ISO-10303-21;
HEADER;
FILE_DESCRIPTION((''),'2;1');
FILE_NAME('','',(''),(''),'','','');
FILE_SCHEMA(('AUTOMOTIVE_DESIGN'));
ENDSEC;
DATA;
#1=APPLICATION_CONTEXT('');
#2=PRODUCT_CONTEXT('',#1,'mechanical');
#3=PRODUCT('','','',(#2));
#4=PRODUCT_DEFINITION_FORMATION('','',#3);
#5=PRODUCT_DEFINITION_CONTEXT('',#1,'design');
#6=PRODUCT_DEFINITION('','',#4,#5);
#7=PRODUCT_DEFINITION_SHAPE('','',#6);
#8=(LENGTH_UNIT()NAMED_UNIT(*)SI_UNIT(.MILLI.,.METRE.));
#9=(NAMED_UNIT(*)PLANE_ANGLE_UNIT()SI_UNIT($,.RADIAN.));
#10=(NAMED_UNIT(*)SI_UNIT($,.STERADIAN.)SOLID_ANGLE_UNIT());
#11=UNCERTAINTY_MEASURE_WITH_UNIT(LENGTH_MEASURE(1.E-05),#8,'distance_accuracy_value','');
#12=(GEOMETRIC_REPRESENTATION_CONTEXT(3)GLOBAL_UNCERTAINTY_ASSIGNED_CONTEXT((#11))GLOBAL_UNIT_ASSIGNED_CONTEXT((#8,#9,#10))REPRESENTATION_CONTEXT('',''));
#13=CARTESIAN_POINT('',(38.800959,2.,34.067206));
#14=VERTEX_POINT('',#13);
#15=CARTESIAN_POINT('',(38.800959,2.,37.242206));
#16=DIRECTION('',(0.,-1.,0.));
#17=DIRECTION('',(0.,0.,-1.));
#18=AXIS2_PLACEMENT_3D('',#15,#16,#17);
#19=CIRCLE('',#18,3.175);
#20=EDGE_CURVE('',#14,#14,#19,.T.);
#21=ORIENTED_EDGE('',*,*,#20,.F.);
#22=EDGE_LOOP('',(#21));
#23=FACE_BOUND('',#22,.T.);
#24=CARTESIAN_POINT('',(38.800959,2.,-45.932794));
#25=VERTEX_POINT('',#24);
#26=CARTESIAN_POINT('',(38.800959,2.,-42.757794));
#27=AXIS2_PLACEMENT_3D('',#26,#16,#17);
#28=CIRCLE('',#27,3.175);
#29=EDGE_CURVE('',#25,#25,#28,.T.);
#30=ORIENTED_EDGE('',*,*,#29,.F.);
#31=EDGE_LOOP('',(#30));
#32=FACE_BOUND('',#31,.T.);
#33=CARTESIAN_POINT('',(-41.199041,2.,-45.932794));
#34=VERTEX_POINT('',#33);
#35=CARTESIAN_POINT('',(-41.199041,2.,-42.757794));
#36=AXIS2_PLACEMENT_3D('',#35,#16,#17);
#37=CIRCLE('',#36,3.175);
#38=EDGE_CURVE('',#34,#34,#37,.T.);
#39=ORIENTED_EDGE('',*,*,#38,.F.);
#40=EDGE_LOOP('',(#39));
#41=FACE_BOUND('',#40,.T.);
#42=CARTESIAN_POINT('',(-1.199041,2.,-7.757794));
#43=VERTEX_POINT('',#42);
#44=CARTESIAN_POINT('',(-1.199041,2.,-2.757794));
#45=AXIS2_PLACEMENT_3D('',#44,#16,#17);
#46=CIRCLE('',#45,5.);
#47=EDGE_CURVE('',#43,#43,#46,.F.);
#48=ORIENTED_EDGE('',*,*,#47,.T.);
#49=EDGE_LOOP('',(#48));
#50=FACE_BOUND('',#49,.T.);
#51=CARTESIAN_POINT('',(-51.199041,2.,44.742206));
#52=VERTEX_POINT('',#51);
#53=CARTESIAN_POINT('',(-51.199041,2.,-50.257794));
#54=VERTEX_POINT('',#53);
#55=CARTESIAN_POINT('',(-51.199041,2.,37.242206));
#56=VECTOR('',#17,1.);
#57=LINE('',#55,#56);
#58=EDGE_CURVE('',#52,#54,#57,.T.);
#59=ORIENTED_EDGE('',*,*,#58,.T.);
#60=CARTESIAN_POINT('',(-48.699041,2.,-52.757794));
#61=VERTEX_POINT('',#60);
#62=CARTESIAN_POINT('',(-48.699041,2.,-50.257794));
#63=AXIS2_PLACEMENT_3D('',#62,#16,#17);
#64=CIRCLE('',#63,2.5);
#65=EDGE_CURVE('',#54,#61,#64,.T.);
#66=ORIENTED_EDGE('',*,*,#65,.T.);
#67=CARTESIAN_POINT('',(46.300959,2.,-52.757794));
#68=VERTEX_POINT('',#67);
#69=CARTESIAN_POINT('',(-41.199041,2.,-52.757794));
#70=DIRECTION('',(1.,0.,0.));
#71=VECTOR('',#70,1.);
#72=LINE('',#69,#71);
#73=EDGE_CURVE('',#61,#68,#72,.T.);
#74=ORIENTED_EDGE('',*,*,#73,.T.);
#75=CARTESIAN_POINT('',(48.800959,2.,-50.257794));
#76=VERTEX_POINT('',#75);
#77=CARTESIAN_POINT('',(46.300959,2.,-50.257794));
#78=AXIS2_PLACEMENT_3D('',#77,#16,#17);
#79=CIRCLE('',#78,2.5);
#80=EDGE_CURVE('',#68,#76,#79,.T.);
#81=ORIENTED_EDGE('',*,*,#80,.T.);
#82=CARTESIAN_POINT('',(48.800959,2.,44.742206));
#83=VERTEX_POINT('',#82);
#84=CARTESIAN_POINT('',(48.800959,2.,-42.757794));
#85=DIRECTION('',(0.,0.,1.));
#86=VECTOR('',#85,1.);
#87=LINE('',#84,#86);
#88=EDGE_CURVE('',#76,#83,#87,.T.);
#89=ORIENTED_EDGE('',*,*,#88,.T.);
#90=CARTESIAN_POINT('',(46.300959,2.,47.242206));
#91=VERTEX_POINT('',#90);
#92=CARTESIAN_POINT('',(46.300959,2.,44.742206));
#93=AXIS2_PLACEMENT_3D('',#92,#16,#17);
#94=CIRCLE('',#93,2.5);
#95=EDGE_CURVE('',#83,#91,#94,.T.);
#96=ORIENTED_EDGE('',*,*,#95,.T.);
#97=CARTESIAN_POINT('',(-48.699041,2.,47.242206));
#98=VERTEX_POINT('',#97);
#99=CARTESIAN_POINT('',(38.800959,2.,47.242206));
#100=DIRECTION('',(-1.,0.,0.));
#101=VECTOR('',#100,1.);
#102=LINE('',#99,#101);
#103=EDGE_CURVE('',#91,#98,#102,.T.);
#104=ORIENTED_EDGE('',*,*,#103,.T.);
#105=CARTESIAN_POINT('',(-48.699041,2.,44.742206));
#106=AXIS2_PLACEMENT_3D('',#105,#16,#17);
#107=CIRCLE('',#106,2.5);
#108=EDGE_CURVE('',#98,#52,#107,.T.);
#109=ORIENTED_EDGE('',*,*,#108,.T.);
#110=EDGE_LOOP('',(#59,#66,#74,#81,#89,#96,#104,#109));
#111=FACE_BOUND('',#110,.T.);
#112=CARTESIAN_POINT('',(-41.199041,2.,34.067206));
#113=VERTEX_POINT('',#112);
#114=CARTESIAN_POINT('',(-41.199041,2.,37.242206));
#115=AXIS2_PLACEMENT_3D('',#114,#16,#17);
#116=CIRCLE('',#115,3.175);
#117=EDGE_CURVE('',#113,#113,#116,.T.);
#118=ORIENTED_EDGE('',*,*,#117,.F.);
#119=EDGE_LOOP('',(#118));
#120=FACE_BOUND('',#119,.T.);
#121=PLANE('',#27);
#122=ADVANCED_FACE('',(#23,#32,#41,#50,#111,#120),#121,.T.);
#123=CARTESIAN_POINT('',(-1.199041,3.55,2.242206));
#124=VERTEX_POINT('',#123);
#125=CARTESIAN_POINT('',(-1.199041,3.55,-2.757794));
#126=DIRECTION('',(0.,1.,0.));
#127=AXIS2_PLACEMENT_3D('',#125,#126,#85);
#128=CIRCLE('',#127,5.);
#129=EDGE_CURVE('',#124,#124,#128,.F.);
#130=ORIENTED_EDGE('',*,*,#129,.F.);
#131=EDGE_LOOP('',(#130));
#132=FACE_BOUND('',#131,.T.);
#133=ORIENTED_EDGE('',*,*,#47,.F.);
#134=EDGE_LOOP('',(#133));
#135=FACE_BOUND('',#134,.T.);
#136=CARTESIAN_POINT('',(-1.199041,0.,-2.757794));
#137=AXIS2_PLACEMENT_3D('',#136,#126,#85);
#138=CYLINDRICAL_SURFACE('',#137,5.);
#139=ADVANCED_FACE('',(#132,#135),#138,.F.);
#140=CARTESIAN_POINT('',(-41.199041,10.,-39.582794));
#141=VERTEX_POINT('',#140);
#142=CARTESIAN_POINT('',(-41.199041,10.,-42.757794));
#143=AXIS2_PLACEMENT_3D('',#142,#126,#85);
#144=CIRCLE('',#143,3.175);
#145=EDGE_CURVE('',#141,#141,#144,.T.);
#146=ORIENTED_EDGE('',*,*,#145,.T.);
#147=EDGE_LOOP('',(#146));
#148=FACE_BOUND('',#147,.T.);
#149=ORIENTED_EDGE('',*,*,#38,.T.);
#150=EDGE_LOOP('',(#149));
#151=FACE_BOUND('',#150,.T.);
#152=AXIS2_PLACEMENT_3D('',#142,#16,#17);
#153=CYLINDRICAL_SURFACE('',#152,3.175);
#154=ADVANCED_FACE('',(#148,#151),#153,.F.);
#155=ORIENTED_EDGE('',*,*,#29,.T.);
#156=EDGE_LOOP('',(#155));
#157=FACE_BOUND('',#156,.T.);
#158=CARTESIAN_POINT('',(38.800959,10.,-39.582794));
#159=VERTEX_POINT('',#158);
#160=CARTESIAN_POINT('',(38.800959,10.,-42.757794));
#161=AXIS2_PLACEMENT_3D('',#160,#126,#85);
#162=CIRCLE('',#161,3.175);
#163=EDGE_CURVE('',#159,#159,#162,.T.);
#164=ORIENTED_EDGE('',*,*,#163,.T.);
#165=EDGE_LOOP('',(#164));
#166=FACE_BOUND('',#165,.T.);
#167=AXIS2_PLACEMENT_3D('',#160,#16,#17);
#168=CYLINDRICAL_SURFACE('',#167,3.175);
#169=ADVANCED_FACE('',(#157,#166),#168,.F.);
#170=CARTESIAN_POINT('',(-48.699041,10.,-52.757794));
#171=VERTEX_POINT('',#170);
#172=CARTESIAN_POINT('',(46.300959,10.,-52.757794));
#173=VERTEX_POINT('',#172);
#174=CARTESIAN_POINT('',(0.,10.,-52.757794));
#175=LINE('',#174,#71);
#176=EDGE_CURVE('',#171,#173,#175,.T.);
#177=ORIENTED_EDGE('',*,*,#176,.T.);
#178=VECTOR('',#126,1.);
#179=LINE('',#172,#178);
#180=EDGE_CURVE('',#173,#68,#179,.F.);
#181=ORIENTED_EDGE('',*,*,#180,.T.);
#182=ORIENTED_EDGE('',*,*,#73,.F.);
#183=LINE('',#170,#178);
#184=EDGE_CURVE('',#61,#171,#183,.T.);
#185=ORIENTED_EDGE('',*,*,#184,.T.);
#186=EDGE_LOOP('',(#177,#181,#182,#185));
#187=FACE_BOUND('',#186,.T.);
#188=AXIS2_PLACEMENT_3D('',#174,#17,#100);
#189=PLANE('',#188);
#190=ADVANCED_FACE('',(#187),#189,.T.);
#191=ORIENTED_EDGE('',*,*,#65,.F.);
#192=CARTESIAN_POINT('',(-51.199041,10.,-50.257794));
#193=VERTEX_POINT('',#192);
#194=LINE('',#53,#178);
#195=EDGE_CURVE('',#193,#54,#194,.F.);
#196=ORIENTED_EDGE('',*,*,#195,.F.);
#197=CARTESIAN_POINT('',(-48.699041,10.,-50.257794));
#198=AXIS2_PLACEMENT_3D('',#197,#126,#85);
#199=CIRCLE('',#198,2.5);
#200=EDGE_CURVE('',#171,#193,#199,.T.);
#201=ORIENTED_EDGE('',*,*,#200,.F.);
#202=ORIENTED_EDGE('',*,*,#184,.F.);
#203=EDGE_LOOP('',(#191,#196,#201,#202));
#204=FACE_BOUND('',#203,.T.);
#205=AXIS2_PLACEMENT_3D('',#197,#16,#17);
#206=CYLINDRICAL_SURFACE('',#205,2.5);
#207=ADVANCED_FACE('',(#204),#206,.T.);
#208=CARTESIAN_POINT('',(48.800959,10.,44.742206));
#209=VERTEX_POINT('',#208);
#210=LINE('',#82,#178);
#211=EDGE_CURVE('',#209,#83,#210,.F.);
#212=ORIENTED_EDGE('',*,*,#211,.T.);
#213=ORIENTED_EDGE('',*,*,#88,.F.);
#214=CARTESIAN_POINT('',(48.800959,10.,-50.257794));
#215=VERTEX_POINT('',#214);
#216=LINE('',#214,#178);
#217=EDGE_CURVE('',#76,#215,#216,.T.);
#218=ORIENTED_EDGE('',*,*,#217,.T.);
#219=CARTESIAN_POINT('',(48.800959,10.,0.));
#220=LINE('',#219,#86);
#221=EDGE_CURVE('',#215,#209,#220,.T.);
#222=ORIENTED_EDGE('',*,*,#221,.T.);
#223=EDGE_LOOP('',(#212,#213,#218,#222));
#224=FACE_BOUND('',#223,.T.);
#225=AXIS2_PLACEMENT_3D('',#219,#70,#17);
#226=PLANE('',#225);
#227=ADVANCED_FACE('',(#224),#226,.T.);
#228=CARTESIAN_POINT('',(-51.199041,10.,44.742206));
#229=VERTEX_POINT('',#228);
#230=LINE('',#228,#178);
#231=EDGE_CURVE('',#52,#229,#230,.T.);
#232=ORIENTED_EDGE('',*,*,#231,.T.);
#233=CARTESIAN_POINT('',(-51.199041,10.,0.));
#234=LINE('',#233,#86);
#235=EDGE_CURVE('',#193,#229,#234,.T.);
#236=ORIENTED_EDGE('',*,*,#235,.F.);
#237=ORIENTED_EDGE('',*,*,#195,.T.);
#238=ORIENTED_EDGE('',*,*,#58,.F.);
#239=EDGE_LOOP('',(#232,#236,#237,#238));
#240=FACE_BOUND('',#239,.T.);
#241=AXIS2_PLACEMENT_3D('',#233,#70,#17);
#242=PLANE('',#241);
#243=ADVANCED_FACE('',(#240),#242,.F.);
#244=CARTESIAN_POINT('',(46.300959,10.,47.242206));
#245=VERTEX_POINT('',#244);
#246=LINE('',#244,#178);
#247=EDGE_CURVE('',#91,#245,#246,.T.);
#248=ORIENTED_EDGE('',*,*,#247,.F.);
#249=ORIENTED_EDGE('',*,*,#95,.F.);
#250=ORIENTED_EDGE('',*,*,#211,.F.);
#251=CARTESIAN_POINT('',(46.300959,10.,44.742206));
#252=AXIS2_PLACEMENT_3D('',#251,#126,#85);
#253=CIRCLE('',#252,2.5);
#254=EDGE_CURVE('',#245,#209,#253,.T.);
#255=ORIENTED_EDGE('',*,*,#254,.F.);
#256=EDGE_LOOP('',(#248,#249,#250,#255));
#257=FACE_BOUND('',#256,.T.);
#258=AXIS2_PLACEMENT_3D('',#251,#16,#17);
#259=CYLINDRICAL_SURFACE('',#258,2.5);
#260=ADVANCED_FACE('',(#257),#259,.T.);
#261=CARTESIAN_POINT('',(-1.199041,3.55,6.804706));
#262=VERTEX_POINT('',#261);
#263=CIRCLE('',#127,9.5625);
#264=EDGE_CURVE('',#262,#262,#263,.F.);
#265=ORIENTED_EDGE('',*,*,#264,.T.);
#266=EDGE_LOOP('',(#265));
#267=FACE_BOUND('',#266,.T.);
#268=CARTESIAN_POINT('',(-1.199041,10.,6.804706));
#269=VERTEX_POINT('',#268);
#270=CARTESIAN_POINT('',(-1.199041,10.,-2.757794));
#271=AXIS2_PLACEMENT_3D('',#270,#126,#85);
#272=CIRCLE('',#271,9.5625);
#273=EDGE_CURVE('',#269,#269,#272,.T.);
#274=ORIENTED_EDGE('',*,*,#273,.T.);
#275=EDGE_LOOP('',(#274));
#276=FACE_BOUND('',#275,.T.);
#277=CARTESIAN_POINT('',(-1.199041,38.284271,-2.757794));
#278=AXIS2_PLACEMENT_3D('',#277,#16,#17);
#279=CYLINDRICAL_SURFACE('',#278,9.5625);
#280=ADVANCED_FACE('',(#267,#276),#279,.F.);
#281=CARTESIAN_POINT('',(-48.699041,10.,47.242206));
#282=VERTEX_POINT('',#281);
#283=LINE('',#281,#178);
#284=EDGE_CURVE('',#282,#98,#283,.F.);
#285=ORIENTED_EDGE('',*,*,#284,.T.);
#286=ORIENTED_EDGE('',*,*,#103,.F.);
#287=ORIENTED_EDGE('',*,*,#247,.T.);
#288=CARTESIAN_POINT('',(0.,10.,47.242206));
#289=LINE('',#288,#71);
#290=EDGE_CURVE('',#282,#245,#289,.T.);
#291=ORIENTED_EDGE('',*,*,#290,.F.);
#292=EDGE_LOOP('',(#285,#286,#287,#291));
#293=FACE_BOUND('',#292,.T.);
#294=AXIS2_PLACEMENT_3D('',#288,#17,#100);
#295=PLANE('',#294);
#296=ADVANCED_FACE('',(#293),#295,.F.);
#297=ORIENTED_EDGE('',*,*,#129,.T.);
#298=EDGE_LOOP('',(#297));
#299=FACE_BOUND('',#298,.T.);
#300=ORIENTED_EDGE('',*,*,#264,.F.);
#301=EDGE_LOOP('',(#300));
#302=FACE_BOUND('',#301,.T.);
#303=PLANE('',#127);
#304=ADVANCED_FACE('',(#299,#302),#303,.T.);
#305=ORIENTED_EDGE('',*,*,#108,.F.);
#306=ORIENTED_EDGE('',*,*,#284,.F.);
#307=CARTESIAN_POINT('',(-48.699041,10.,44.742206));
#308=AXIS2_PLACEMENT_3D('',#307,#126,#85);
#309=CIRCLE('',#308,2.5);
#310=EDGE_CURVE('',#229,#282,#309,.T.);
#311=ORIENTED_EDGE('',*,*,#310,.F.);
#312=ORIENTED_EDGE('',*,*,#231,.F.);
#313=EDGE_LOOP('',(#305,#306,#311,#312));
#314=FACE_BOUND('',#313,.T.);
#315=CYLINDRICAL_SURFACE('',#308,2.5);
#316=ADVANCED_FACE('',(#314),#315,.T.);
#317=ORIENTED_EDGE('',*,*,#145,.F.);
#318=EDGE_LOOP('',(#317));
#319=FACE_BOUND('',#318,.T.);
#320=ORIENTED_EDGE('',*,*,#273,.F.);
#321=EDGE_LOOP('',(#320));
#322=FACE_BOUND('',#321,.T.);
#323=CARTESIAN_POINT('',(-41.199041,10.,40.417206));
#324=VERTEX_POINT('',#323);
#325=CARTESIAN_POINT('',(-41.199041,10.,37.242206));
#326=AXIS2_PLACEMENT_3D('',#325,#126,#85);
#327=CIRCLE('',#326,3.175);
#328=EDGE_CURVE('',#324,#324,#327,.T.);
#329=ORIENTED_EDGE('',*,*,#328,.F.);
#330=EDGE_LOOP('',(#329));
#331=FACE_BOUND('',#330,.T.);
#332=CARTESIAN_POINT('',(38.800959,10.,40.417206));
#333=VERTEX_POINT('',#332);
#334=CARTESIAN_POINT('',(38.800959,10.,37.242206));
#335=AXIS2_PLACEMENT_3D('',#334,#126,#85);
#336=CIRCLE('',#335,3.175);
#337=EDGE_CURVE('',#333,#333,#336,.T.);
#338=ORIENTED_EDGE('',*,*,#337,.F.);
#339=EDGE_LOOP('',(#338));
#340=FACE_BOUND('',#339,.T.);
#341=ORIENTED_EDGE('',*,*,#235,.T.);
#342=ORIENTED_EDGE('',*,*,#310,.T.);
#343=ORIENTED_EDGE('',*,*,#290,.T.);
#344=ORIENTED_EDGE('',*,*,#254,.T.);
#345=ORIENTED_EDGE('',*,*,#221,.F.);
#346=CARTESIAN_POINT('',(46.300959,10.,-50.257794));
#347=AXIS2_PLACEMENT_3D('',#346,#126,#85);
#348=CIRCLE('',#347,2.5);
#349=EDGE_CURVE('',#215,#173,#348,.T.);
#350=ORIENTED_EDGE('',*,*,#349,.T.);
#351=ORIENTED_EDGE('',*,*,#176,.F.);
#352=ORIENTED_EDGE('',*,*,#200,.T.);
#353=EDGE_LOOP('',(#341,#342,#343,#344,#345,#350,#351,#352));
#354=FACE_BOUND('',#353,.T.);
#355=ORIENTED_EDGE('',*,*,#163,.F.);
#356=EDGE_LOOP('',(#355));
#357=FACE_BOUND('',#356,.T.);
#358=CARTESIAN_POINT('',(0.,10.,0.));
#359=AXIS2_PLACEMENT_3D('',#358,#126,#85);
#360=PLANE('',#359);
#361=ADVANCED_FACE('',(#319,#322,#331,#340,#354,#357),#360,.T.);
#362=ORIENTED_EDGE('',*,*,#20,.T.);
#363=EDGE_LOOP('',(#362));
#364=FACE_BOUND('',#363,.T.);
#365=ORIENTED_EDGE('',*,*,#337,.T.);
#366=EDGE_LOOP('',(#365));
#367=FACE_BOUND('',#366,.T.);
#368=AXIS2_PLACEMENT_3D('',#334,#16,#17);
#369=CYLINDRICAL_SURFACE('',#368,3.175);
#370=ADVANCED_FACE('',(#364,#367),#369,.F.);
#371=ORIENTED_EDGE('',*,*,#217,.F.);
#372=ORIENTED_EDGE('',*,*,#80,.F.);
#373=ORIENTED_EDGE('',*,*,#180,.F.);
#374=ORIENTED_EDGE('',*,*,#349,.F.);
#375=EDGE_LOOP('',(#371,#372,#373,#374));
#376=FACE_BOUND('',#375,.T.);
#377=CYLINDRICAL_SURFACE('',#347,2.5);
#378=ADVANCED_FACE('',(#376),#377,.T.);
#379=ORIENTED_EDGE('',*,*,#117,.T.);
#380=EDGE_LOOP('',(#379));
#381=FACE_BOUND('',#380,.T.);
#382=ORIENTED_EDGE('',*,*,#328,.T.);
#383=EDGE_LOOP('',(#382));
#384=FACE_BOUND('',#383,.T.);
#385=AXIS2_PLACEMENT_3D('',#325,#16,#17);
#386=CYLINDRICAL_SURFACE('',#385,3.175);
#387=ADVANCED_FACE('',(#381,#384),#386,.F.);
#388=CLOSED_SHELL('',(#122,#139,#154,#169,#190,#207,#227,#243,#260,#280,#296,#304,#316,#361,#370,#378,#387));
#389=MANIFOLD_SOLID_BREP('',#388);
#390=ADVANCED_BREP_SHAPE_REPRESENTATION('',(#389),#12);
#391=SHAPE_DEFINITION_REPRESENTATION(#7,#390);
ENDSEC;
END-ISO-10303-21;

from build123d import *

# Parameters (mm, degrees)
SKETCH1_R           = 12.7
SKETCH1_R_2         = 3.175
BOSS_EXTRUDE1_DEPTH = 10
SKETCH1_3_R         = 12.7
SKETCH1_3_R_2       = 6.35
BOSS_EXTRUDE2_DEPTH = 2.5
SKETCH2_R           = 12.7
BOSS_EXTRUDE3_DEPTH = 10
SKETCH3_R           = 5
CUT_EXTRUDE3_DEPTH  = 10
CUT_EXTRUDE4_START  = -1.45
SKETCH4_R           = 10
CUT_EXTRUDE4_DEPTH  = 5
CUT_EXTRUDE5_DEPTH  = 2
SKETCH7_R           = 10
CUT_EXTRUDE7_DEPTH  = 6.45
BOSS_EXTRUDE4_START = 6.45
SKETCH8_R           = 10
SKETCH8_R_2         = 9.5625
BOSS_EXTRUDE4_DEPTH = 6.45
BOSS_EXTRUDE5_START = -8
BOSS_EXTRUDE5_DEPTH = 8
FILLET1_R           = 2.5


with BuildPart() as part:
    # Sketch1 → Boss-Extrude1 (new body)
    with BuildSketch(Plane(origin=(0, 0, 0), x_dir=(1, 0, 0), z_dir=(0, 1, 0))):
        with BuildLine():
            Line((-41.199040767, 52.757793765), (38.800959233, 52.757793765))
            ThreePointArc((38.800959233, 52.757793765), (45.872027044, 49.828861577), (48.800959233, 42.757793765))
            Line((48.800959233, 42.757793765), (48.800959233, -37.242206235))
            ThreePointArc((48.800959233, -37.242206235), (45.872027044, -44.313274047), (38.800959233, -47.242206235))
            Line((38.800959233, -47.242206235), (-41.199040767, -47.242206235))
            ThreePointArc((-41.199040767, -47.242206235), (-48.270108579, -44.313274047), (-51.199040767, -37.242206235))
            Line((-51.199040767, -37.242206235), (-51.199040767, 42.757793765))
            ThreePointArc((-51.199040767, 42.757793765), (-48.270108579, 49.828861577), (-41.199040767, 52.757793765))
        make_face()
        with Locations(Location((0, 0, 0), (0, 0, 270))):
            Circle(SKETCH1_R, mode=Mode.SUBTRACT)
        with Locations(Location((-41.199040767, 42.757793765, 0), (0, 0, 270))):
            Circle(SKETCH1_R_2, mode=Mode.SUBTRACT)
        with Locations(Location((38.800959233, 42.757793765, 0), (0, 0, 270))):
            Circle(SKETCH1_R_2, mode=Mode.SUBTRACT)
        with Locations(Location((38.800959233, -37.242206235, 0), (0, 0, 270))):
            Circle(SKETCH1_R_2, mode=Mode.SUBTRACT)
        with Locations(Location((-41.199040767, -37.242206235, 0), (0, 0, 270))):
            Circle(SKETCH1_R_2, mode=Mode.SUBTRACT)
    extrude(amount=BOSS_EXTRUDE1_DEPTH)

    # Sketch1<3> → Boss-Extrude2 (add)
    with BuildSketch(Plane(origin=(0, 0, 0), x_dir=(1, 0, 0), z_dir=(0, 1, 0))):
        with Locations(Location((0, 0, 0), (0, 0, 270))):
            Circle(SKETCH1_3_R)
        with Locations(Location((0, 0, 0), (0, 0, 270))):
            Circle(SKETCH1_3_R_2, mode=Mode.SUBTRACT)
    extrude(amount=BOSS_EXTRUDE2_DEPTH)

    # Sketch2 → Boss-Extrude3 (add, through all)
    with BuildSketch(Plane(origin=(0, 10, 0), x_dir=(1, 0, 0), z_dir=(0, 1, 0))):
        Circle(SKETCH2_R)
    extrude(amount=-BOSS_EXTRUDE3_DEPTH)

    # Sketch3 → Cut-Extrude3 (cut)
    with BuildSketch(Plane(origin=(0, 10, 0), x_dir=(1, 0, 0), z_dir=(0, 1, 0))):
        with Locations(Location((-1.199040767, 2.757793765, 0), (0, 0, 270))):
            Circle(SKETCH3_R)
    extrude(amount=-CUT_EXTRUDE3_DEPTH, mode=Mode.SUBTRACT)

    # Sketch4 → Cut-Extrude4 (cut)
    with BuildSketch(Plane(origin=(0, 10, 0), x_dir=(1, 0, 0), z_dir=(0, 1, 0)).offset(CUT_EXTRUDE4_START)):
        with Locations(Location((-1.199040767, 2.757793765, 0), (0, 0, 270))):
            Circle(SKETCH4_R)
    extrude(amount=-CUT_EXTRUDE4_DEPTH, mode=Mode.SUBTRACT)

    # Sketch6 → Cut-Extrude5 (cut)
    with BuildSketch(Plane.XZ):
        with BuildLine():
            Line((48.800959233, -42.757793765), (48.800959233, 37.242206235))
            ThreePointArc((48.800959233, 37.242206235), (45.872027044, 44.313274047), (38.800959233, 47.242206235))
            Line((38.800959233, 47.242206235), (-41.199040767, 47.242206235))
            ThreePointArc((-41.199040767, 47.242206235), (-48.270108579, 44.313274047), (-51.199040767, 37.242206235))
            Line((-51.199040767, 37.242206235), (-51.199040767, -42.757793765))
            ThreePointArc((-51.199040767, -42.757793765), (-48.270108579, -49.828861577), (-41.199040767, -52.757793765))
            Line((-41.199040767, -52.757793765), (38.800959233, -52.757793765))
            ThreePointArc((38.800959233, -52.757793765), (45.872027044, -49.828861577), (48.800959233, -42.757793765))
        make_face()
    extrude(amount=-CUT_EXTRUDE5_DEPTH, mode=Mode.SUBTRACT)

    # Sketch7 → Cut-Extrude7 (cut)
    with BuildSketch(Plane(origin=(0, 10, 0), x_dir=(1, 0, 0), z_dir=(0, 1, 0))):
        with Locations(Location((-1.199040767, 2.757793765, 0), (0, 0, 270))):
            Circle(SKETCH7_R)
    extrude(amount=-CUT_EXTRUDE7_DEPTH, mode=Mode.SUBTRACT)

    # Sketch8 → Boss-Extrude4 (add)
    with BuildSketch(Plane(origin=(0, 3.55, 0), x_dir=(1, 0, 0), z_dir=(0, 1, 0)).offset(BOSS_EXTRUDE4_START)):
        with Locations((-1.199040767, 2.757793765)):
            Circle(SKETCH8_R)
        with Locations(Location((-1.199040767, 2.757793765, 0), (0, 0, 270))):
            Circle(SKETCH8_R_2, mode=Mode.SUBTRACT)
    extrude(amount=-BOSS_EXTRUDE4_DEPTH)

    # Sketch9 → Boss-Extrude5 (add)
    with BuildSketch(Plane(origin=(0, 10, 0), x_dir=(1, 0, 0), z_dir=(0, 1, 0)).offset(BOSS_EXTRUDE5_START)):
        with BuildLine():
            Line((-51.199040767, 42.757793765), (-51.199040767, 52.757793765))
            Line((-51.199040767, 52.757793765), (-41.199040767, 52.757793765))
            ThreePointArc((-41.199040767, 52.757793765), (-48.270108579, 49.828861577), (-51.199040767, 42.757793765))
        make_face()
        with BuildLine():
            Line((38.800959233, 52.757793765), (48.800959233, 52.757793765))
            Line((48.800959233, 52.757793765), (48.800959233, 42.757793765))
            ThreePointArc((48.800959233, 42.757793765), (45.872027044, 49.828861577), (38.800959233, 52.757793765))
        make_face()
        with BuildLine():
            Line((-51.199040767, -37.242206235), (-51.199040767, -47.242206235))
            Line((-51.199040767, -47.242206235), (-41.199040767, -47.242206235))
            ThreePointArc((-41.199040767, -47.242206235), (-48.270108579, -44.313274047), (-51.199040767, -37.242206235))
        make_face()
        with BuildLine():
            Line((48.800959233, -37.242206235), (48.800959233, -47.242206235))
            Line((48.800959233, -47.242206235), (38.800959233, -47.242206235))
            ThreePointArc((38.800959233, -47.242206235), (45.872027044, -44.313274047), (48.800959233, -37.242206235))
        make_face()
    extrude(amount=BOSS_EXTRUDE5_DEPTH)

    # Fillet1
    fillet1_edges = [part.edges().sort_by_distance(p)[0] for p in [
        (-51.199040767, 6, -52.757793765),
        (48.800959233, 6, -52.757793765),
        (48.800959233, 6, 47.242206235),
        (-51.199040767, 6, 47.242206235),
    ]]
    fillet(fillet1_edges, radius=FILLET1_R)


solid = part.part
